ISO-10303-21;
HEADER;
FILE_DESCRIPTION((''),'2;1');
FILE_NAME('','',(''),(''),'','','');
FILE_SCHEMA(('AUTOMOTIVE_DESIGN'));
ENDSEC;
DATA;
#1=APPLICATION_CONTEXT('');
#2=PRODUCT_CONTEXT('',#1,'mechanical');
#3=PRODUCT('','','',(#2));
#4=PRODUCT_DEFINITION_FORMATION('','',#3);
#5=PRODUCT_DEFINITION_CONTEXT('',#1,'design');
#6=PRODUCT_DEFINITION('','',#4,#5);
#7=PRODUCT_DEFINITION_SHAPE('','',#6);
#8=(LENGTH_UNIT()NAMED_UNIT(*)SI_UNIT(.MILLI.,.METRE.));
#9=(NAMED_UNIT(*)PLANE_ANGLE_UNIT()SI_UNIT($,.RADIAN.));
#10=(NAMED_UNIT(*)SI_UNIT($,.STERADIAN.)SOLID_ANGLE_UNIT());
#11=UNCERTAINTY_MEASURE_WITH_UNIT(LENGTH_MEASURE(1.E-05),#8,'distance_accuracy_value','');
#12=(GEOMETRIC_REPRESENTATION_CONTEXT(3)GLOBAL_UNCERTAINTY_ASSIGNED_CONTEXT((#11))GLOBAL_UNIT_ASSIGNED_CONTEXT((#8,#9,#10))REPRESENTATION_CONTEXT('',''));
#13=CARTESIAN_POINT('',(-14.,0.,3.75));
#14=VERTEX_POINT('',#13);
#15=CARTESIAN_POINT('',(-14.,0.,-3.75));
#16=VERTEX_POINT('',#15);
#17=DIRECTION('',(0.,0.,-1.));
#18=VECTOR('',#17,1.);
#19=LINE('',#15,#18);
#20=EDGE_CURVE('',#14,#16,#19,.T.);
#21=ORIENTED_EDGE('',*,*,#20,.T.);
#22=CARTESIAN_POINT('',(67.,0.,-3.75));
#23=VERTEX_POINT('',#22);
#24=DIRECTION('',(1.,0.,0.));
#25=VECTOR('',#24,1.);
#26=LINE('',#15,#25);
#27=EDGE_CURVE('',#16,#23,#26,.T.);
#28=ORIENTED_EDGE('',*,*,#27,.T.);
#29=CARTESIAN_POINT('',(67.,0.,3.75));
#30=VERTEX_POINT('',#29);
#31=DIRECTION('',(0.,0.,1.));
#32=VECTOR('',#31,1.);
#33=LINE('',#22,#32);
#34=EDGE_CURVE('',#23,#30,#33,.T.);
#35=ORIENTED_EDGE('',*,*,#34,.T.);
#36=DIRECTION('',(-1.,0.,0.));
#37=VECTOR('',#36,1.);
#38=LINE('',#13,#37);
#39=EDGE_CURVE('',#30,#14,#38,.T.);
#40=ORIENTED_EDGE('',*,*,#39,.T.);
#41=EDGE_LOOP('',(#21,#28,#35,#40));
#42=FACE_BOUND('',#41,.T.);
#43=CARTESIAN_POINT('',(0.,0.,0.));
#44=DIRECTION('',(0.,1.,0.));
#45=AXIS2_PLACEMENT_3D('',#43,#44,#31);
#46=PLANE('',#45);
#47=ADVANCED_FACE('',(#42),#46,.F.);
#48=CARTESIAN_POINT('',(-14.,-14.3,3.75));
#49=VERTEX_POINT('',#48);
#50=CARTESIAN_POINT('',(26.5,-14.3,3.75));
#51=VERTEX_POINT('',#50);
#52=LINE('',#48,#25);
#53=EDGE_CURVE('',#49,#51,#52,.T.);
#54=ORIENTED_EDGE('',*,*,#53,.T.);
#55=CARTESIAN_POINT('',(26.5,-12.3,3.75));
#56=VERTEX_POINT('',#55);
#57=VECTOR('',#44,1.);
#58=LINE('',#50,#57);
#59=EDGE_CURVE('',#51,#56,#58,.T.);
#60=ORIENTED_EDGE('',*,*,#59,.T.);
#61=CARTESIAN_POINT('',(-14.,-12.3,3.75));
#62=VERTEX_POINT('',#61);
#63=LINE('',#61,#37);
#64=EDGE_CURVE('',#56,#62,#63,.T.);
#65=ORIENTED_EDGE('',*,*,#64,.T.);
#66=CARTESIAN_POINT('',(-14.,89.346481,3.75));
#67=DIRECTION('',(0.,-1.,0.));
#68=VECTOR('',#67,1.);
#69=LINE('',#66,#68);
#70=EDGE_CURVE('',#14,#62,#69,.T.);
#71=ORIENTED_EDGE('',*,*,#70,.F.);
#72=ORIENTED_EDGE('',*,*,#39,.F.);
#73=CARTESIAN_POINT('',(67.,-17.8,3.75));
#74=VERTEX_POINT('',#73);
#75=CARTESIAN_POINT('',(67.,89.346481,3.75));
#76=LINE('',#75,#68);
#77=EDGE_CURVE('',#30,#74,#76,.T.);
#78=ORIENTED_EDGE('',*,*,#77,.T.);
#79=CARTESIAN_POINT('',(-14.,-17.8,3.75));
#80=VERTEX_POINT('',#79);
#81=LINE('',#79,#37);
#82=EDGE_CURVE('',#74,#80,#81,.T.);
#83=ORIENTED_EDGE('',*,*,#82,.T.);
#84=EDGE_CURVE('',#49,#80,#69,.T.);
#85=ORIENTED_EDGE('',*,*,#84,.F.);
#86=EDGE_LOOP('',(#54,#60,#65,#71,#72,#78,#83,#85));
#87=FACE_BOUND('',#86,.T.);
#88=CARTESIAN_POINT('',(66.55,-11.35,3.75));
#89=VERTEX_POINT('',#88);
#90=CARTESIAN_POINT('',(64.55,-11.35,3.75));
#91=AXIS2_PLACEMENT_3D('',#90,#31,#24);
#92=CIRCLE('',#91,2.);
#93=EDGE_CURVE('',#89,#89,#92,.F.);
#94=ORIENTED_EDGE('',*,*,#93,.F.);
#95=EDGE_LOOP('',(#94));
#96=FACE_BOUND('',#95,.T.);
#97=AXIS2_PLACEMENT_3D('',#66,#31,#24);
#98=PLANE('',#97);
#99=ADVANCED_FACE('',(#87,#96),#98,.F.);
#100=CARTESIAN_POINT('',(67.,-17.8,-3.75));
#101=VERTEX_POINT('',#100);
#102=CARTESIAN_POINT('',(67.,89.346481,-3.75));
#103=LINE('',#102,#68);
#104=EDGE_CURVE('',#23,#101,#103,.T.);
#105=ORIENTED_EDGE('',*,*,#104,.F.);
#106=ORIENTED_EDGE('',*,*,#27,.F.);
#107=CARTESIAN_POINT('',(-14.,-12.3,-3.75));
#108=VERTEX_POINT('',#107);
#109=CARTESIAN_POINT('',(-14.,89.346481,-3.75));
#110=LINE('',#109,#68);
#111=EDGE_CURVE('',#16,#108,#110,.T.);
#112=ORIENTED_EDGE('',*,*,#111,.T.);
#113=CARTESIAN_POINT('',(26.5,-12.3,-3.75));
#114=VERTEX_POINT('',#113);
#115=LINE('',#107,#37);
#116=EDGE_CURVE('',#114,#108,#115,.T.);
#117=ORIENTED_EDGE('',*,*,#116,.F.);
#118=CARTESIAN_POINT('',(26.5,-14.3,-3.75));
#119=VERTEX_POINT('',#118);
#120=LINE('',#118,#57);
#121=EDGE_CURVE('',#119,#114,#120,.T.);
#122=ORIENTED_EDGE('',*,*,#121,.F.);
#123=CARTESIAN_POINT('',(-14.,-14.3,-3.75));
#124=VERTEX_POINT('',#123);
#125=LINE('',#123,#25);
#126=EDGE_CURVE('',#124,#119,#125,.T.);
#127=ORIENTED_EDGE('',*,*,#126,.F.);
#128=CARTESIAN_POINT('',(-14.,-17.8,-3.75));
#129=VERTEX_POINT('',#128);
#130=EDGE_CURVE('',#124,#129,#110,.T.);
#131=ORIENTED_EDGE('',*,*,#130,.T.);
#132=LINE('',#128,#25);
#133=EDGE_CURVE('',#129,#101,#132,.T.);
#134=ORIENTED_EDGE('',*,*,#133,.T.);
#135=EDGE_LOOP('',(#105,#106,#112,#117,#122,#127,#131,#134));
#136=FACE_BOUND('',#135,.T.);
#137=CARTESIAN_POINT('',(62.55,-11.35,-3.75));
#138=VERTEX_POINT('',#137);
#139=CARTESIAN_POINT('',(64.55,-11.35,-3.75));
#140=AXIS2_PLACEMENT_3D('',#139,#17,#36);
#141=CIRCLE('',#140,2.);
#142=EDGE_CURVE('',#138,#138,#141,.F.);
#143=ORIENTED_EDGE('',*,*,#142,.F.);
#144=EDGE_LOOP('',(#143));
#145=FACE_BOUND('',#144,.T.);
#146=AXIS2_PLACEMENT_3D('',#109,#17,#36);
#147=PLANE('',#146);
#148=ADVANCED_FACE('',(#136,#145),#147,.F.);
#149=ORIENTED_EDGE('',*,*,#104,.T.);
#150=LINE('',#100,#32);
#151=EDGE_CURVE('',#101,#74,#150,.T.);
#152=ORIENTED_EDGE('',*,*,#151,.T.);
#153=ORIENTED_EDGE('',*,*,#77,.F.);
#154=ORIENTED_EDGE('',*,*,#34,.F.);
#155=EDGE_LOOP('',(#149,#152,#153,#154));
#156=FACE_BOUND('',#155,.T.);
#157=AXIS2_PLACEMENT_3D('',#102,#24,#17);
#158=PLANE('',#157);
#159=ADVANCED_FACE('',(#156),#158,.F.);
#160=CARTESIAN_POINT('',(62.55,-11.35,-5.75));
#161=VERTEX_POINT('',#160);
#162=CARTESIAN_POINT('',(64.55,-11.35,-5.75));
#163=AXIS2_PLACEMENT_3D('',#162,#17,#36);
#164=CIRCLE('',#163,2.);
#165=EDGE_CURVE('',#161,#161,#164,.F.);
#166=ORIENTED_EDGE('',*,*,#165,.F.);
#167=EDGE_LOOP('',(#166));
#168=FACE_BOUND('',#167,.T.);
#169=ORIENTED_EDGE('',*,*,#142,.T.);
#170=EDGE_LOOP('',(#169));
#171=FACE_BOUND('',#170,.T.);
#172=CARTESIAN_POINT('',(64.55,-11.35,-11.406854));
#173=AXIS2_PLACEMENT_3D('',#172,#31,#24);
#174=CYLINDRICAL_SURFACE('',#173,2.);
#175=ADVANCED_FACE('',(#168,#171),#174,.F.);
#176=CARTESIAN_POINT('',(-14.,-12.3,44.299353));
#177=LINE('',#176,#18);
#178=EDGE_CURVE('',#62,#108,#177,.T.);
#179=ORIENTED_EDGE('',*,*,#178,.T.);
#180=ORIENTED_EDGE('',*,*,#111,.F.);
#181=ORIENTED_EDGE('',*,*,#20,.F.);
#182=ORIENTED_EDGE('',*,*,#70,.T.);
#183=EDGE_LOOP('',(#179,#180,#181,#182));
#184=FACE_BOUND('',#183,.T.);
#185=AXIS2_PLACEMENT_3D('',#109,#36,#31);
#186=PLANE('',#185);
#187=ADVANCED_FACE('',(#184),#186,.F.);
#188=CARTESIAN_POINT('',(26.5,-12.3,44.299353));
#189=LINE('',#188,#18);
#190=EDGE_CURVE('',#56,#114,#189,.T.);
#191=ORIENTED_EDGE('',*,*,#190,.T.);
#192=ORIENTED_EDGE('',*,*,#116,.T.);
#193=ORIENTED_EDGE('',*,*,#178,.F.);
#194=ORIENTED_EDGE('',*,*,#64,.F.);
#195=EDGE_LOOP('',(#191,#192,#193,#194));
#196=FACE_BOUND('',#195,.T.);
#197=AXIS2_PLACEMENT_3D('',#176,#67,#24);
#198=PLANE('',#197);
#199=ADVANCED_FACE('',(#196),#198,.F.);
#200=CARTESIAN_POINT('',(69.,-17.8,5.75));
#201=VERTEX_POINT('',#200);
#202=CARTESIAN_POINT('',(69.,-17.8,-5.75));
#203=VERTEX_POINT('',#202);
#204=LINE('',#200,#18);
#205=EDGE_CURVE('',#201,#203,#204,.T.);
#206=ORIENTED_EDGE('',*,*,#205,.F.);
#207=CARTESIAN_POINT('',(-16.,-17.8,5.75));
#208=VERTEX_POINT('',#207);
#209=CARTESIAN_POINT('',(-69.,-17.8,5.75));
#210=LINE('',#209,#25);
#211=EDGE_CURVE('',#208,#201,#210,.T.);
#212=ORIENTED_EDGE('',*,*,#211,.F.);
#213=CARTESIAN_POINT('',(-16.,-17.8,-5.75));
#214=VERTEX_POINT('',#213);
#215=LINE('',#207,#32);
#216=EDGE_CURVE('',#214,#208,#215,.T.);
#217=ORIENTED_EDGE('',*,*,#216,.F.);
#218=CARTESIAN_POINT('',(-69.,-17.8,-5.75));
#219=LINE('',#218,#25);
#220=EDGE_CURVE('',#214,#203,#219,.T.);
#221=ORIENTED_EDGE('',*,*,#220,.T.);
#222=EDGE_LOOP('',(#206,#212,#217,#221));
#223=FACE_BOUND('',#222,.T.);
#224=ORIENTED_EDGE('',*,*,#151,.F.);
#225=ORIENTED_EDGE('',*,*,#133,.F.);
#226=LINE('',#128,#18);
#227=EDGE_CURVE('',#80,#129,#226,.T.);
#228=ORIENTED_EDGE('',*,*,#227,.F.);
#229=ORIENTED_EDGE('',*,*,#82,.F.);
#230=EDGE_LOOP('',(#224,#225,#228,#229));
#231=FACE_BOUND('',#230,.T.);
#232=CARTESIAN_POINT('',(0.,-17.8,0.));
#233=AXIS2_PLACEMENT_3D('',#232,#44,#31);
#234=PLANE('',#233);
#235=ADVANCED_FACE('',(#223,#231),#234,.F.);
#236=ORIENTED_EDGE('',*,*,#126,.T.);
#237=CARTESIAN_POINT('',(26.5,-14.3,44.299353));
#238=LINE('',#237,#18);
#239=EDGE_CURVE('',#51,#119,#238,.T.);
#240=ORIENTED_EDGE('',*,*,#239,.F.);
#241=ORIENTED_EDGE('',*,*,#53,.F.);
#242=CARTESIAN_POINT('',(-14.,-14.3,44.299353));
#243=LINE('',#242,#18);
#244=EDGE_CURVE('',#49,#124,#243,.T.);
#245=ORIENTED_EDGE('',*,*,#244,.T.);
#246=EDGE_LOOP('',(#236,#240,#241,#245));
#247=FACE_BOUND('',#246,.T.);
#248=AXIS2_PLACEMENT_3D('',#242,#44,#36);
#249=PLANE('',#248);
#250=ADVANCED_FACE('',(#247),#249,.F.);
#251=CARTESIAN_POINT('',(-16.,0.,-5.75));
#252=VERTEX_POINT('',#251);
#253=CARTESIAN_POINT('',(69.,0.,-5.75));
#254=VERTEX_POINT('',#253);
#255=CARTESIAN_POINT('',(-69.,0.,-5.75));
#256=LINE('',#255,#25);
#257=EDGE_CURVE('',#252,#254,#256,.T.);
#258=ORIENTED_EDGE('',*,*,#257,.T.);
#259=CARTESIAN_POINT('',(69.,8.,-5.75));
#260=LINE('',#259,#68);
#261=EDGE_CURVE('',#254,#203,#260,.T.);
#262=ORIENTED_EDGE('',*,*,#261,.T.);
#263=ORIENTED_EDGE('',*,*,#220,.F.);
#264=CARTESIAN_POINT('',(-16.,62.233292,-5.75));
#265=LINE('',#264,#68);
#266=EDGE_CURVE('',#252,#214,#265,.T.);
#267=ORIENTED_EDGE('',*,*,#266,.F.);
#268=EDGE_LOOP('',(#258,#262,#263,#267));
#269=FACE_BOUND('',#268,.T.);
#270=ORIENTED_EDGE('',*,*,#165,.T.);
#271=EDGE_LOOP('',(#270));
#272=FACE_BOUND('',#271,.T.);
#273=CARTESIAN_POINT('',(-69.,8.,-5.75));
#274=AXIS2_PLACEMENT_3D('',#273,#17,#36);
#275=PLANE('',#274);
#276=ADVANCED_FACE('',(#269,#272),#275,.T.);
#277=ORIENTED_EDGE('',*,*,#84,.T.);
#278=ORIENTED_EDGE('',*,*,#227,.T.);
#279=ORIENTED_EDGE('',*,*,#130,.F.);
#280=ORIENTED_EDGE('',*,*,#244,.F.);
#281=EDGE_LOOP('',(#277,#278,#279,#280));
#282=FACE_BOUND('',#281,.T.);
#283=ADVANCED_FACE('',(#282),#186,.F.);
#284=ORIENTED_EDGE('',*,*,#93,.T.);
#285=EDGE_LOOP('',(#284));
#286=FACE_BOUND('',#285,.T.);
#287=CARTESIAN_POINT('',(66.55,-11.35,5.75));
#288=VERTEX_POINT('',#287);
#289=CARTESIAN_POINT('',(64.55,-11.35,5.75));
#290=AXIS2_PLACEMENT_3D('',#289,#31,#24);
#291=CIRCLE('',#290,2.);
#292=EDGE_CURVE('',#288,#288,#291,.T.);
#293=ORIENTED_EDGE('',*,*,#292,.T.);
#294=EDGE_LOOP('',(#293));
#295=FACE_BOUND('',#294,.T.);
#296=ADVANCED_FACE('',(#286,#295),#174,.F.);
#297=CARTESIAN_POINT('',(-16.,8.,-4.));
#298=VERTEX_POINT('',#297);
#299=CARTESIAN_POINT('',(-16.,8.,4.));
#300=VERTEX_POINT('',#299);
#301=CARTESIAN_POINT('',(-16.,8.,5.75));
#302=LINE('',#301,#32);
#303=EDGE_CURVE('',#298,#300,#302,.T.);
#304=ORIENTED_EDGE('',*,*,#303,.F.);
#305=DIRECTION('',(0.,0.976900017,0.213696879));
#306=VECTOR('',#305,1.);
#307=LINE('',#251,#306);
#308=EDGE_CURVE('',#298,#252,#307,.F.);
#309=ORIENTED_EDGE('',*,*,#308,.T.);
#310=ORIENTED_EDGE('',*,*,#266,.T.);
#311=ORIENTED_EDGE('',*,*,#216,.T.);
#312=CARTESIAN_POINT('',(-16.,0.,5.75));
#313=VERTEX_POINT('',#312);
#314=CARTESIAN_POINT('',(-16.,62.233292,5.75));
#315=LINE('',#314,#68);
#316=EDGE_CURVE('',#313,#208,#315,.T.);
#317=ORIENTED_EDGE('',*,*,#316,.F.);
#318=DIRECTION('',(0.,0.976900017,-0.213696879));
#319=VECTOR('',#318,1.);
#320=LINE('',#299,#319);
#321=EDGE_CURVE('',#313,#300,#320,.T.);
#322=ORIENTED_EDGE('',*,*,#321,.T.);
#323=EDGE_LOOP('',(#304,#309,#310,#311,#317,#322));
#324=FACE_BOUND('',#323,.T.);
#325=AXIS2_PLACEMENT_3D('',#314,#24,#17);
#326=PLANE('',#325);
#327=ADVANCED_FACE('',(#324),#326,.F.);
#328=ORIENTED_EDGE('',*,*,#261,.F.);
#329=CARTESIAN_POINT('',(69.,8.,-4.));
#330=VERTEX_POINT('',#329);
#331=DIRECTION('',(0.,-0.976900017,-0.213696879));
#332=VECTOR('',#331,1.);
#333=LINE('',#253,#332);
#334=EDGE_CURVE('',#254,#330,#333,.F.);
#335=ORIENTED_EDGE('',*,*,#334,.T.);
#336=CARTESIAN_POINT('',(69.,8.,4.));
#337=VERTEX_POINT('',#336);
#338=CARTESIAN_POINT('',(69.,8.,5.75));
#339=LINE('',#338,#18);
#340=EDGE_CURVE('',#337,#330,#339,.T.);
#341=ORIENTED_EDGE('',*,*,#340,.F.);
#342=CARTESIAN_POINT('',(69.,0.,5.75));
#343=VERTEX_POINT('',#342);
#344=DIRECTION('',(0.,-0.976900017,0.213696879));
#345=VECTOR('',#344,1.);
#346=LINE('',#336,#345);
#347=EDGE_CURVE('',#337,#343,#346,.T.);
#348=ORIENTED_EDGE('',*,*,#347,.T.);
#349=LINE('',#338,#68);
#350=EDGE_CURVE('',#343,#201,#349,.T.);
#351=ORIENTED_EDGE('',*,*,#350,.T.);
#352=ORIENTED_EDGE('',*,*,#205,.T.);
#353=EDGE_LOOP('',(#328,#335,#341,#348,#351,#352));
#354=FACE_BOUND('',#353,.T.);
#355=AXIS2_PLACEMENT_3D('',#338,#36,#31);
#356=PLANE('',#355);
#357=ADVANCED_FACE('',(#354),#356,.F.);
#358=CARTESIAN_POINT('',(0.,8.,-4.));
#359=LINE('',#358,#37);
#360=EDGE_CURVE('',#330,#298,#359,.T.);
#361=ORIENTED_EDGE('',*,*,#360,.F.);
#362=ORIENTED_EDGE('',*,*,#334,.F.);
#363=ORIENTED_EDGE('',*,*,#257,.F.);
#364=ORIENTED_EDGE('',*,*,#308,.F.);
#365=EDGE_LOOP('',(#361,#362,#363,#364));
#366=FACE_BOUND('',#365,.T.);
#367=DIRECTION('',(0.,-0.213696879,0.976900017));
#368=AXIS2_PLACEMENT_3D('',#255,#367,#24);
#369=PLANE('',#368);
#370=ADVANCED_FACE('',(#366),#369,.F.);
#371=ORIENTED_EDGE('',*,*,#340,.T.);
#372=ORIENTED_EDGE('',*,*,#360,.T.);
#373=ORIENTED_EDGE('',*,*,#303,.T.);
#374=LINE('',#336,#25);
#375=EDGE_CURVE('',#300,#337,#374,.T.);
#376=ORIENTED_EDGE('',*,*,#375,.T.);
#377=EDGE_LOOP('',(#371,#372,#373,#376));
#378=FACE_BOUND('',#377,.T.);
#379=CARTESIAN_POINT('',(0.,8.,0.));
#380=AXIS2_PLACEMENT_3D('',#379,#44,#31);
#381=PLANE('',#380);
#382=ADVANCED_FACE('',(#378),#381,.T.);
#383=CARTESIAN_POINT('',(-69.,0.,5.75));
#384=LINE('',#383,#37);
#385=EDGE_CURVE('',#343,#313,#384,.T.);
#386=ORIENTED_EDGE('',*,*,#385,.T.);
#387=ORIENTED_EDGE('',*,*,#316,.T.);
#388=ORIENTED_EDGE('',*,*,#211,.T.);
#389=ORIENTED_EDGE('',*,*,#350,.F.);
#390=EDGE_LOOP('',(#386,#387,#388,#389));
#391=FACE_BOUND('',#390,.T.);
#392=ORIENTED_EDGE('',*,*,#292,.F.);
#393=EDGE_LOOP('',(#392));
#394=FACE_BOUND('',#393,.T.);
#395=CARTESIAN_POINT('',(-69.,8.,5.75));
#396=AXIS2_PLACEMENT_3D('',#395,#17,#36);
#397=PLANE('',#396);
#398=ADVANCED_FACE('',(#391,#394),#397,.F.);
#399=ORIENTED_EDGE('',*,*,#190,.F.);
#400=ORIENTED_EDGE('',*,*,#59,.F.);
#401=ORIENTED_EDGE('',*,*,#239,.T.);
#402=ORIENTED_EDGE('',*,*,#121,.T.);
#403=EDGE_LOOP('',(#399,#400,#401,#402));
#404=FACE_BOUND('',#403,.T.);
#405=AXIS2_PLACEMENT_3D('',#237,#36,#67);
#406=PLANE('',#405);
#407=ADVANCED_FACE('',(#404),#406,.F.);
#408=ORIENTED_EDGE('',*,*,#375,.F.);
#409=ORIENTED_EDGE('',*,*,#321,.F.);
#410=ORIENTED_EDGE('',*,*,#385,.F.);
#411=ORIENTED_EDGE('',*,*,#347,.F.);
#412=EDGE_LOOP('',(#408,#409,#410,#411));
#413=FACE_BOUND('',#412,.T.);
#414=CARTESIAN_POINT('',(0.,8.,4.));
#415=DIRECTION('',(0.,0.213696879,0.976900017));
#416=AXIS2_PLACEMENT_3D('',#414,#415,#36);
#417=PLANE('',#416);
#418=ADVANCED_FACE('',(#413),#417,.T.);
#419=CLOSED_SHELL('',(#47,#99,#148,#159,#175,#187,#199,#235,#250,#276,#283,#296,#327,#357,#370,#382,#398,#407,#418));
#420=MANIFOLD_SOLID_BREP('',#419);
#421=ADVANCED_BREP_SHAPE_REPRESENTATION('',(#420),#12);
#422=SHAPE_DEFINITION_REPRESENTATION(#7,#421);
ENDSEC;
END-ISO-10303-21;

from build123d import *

# Parameters (mm, degrees)
BOSS_EXTRUDE1_DEPTH      = 8
BOSS_EXTRUDE1_DEPTH_BACK = 17.8
SKETCH1_W                = 138
SKETCH1_H                = 11.5
SKETCH8_R                = 2
CUT_EXTRUDE4_DEPTH       = 11.5
CHAMFER2_SIZE            = 8
CHAMFER2_SIZE2           = 1.75
CHAMFER3_SIZE            = 1.75
CHAMFER3_SIZE2           = 8
CUT_EXTRUDE5_REACH       = 75.89
SKETCH11_W               = 53
SKETCH11_H               = 11.5
SKETCH12_W               = 81
SKETCH12_H               = 7.5
CUT_EXTRUDE6_DEPTH       = 17.8
SKETCH13_W               = 40.5
SKETCH13_H               = 2
BOSS_EXTRUDE3_DEPTH      = 7.5


with BuildPart() as part:
    # Sketch1 → Boss-Extrude1 (new, two sides: drawn at the far end of the back side and taken through both)
    with BuildSketch(Plane(origin=(0, 0, 0), x_dir=(1, 0, 0), z_dir=(0, 1, 0)).offset(-BOSS_EXTRUDE1_DEPTH_BACK)):
        Rectangle(SKETCH1_W, SKETCH1_H)
    extrude(amount=BOSS_EXTRUDE1_DEPTH + BOSS_EXTRUDE1_DEPTH_BACK)

    # Sketch8 → Cut-Extrude4 (cut)
    with BuildSketch(Plane.XY.offset(5.75)):
        with Locations((64.55, -11.35)):
            Circle(SKETCH8_R)
    extrude(amount=-CUT_EXTRUDE4_DEPTH, mode=Mode.SUBTRACT)

    # Chamfer2
    chamfer2_edges = [part.edges().sort_by_distance(p)[0] for p in [
        (0, 8, 5.75),
    ]]
    chamfer2_side = [part.faces().sort_by_distance(p)[0] for p in [
        (-0.228635079, -4.877154202, 5.75),
    ]]
    chamfer(chamfer2_edges, length=CHAMFER2_SIZE, length2=CHAMFER2_SIZE2, reference=chamfer2_side[0])

    # Chamfer3
    chamfer3_edges = [part.edges().sort_by_distance(p)[0] for p in [
        (0, 8, -5.75),
    ]]
    chamfer3_side = [part.faces().sort_by_distance(p)[0] for p in [
        (0, 8, -0.875),
    ]]
    chamfer(chamfer3_edges, length=CHAMFER3_SIZE, length2=CHAMFER3_SIZE2, reference=chamfer3_side[0])

    # Cut-Extrude5: up to this face of the body (flat: up to its plane)
    cut_extrude5_end = Plane(part.part.faces().sort_by_distance((0, 8, 0))[0])
    # Sketch11 → Cut-Extrude5 (cut, up to the picked face)
    with BuildSketch(Plane.XZ.offset(17.8), mode=Mode.PRIVATE) as cut_extrude5_sk1:
        with Locations((-42.5, 0)):
            Rectangle(SKETCH11_W, SKETCH11_H)
    cut_extrude5_tool1 = split(extrude(cut_extrude5_sk1.sketch, amount=-CUT_EXTRUDE5_REACH, mode=Mode.PRIVATE), bisect_by=cut_extrude5_end, keep=Keep.BOTH, mode=Mode.PRIVATE)
    add(cut_extrude5_tool1.solids().sort_by(Axis((-42.5, -17.8, 0), (0, 1, 0)))[0], mode=Mode.SUBTRACT)

    # Sketch12 → Cut-Extrude6 (cut)
    with BuildSketch(Plane.XZ.offset(17.8)):
        with Locations((26.5, 0)):
            Rectangle(SKETCH12_W, SKETCH12_H)
    extrude(amount=-CUT_EXTRUDE6_DEPTH, mode=Mode.SUBTRACT)

    # Sketch13 → Boss-Extrude3 (add)
    with BuildSketch(Plane.XY.offset(-3.75)):
        with Locations((6.25, -13.3)):
            Rectangle(SKETCH13_W, SKETCH13_H)
    extrude(amount=BOSS_EXTRUDE3_DEPTH)


solid = part.part
